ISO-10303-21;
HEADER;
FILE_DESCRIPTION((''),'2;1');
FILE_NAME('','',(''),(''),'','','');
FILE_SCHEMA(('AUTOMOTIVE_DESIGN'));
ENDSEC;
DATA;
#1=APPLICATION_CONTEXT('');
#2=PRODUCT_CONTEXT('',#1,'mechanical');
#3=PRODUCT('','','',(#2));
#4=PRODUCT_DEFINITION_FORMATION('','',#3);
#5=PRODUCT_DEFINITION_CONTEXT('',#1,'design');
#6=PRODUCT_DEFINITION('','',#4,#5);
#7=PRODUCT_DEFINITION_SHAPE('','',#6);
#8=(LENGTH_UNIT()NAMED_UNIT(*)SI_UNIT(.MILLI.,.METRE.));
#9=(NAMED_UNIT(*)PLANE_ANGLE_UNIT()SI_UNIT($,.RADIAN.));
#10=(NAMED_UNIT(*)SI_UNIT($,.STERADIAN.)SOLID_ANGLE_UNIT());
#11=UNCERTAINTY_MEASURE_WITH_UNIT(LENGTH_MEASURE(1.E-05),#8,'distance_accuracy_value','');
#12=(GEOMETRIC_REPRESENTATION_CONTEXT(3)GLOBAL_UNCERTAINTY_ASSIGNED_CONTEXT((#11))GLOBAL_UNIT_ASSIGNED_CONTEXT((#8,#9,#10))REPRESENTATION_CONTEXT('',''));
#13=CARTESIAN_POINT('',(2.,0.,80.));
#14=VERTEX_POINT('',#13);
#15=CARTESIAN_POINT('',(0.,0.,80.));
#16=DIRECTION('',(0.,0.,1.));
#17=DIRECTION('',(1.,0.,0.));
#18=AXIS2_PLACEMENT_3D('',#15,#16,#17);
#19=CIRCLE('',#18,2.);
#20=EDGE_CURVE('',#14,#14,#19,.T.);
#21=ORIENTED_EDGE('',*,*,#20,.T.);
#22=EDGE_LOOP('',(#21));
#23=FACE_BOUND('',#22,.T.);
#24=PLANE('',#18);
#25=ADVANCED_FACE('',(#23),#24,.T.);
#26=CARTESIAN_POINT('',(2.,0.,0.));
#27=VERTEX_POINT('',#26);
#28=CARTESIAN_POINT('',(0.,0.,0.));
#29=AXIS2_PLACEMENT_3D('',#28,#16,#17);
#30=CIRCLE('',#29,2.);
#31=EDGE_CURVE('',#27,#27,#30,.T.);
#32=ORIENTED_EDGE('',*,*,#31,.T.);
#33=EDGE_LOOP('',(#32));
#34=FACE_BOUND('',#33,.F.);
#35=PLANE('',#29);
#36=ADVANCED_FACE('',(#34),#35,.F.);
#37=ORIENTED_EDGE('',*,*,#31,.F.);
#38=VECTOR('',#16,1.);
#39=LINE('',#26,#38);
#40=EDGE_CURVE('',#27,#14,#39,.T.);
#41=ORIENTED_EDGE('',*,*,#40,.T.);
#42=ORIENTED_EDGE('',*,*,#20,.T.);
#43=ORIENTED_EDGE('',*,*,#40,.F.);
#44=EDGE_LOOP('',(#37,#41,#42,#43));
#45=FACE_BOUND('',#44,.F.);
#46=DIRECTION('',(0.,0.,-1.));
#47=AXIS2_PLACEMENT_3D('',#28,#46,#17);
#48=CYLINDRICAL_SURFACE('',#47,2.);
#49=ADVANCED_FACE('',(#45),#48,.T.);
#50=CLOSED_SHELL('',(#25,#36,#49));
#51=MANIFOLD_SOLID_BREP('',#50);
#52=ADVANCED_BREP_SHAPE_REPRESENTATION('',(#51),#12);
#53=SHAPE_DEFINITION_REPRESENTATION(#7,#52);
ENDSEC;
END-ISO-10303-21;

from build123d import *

# Parameters (mm, degrees)
SKETCH1_R           = 2
BOSS_EXTRUDE1_DEPTH = 80


with BuildPart() as part:
    # Sketch1 → Boss-Extrude1 (new body)
    with BuildSketch(Plane.XY):
        Circle(SKETCH1_R)
    extrude(amount=BOSS_EXTRUDE1_DEPTH)


solid = part.part
